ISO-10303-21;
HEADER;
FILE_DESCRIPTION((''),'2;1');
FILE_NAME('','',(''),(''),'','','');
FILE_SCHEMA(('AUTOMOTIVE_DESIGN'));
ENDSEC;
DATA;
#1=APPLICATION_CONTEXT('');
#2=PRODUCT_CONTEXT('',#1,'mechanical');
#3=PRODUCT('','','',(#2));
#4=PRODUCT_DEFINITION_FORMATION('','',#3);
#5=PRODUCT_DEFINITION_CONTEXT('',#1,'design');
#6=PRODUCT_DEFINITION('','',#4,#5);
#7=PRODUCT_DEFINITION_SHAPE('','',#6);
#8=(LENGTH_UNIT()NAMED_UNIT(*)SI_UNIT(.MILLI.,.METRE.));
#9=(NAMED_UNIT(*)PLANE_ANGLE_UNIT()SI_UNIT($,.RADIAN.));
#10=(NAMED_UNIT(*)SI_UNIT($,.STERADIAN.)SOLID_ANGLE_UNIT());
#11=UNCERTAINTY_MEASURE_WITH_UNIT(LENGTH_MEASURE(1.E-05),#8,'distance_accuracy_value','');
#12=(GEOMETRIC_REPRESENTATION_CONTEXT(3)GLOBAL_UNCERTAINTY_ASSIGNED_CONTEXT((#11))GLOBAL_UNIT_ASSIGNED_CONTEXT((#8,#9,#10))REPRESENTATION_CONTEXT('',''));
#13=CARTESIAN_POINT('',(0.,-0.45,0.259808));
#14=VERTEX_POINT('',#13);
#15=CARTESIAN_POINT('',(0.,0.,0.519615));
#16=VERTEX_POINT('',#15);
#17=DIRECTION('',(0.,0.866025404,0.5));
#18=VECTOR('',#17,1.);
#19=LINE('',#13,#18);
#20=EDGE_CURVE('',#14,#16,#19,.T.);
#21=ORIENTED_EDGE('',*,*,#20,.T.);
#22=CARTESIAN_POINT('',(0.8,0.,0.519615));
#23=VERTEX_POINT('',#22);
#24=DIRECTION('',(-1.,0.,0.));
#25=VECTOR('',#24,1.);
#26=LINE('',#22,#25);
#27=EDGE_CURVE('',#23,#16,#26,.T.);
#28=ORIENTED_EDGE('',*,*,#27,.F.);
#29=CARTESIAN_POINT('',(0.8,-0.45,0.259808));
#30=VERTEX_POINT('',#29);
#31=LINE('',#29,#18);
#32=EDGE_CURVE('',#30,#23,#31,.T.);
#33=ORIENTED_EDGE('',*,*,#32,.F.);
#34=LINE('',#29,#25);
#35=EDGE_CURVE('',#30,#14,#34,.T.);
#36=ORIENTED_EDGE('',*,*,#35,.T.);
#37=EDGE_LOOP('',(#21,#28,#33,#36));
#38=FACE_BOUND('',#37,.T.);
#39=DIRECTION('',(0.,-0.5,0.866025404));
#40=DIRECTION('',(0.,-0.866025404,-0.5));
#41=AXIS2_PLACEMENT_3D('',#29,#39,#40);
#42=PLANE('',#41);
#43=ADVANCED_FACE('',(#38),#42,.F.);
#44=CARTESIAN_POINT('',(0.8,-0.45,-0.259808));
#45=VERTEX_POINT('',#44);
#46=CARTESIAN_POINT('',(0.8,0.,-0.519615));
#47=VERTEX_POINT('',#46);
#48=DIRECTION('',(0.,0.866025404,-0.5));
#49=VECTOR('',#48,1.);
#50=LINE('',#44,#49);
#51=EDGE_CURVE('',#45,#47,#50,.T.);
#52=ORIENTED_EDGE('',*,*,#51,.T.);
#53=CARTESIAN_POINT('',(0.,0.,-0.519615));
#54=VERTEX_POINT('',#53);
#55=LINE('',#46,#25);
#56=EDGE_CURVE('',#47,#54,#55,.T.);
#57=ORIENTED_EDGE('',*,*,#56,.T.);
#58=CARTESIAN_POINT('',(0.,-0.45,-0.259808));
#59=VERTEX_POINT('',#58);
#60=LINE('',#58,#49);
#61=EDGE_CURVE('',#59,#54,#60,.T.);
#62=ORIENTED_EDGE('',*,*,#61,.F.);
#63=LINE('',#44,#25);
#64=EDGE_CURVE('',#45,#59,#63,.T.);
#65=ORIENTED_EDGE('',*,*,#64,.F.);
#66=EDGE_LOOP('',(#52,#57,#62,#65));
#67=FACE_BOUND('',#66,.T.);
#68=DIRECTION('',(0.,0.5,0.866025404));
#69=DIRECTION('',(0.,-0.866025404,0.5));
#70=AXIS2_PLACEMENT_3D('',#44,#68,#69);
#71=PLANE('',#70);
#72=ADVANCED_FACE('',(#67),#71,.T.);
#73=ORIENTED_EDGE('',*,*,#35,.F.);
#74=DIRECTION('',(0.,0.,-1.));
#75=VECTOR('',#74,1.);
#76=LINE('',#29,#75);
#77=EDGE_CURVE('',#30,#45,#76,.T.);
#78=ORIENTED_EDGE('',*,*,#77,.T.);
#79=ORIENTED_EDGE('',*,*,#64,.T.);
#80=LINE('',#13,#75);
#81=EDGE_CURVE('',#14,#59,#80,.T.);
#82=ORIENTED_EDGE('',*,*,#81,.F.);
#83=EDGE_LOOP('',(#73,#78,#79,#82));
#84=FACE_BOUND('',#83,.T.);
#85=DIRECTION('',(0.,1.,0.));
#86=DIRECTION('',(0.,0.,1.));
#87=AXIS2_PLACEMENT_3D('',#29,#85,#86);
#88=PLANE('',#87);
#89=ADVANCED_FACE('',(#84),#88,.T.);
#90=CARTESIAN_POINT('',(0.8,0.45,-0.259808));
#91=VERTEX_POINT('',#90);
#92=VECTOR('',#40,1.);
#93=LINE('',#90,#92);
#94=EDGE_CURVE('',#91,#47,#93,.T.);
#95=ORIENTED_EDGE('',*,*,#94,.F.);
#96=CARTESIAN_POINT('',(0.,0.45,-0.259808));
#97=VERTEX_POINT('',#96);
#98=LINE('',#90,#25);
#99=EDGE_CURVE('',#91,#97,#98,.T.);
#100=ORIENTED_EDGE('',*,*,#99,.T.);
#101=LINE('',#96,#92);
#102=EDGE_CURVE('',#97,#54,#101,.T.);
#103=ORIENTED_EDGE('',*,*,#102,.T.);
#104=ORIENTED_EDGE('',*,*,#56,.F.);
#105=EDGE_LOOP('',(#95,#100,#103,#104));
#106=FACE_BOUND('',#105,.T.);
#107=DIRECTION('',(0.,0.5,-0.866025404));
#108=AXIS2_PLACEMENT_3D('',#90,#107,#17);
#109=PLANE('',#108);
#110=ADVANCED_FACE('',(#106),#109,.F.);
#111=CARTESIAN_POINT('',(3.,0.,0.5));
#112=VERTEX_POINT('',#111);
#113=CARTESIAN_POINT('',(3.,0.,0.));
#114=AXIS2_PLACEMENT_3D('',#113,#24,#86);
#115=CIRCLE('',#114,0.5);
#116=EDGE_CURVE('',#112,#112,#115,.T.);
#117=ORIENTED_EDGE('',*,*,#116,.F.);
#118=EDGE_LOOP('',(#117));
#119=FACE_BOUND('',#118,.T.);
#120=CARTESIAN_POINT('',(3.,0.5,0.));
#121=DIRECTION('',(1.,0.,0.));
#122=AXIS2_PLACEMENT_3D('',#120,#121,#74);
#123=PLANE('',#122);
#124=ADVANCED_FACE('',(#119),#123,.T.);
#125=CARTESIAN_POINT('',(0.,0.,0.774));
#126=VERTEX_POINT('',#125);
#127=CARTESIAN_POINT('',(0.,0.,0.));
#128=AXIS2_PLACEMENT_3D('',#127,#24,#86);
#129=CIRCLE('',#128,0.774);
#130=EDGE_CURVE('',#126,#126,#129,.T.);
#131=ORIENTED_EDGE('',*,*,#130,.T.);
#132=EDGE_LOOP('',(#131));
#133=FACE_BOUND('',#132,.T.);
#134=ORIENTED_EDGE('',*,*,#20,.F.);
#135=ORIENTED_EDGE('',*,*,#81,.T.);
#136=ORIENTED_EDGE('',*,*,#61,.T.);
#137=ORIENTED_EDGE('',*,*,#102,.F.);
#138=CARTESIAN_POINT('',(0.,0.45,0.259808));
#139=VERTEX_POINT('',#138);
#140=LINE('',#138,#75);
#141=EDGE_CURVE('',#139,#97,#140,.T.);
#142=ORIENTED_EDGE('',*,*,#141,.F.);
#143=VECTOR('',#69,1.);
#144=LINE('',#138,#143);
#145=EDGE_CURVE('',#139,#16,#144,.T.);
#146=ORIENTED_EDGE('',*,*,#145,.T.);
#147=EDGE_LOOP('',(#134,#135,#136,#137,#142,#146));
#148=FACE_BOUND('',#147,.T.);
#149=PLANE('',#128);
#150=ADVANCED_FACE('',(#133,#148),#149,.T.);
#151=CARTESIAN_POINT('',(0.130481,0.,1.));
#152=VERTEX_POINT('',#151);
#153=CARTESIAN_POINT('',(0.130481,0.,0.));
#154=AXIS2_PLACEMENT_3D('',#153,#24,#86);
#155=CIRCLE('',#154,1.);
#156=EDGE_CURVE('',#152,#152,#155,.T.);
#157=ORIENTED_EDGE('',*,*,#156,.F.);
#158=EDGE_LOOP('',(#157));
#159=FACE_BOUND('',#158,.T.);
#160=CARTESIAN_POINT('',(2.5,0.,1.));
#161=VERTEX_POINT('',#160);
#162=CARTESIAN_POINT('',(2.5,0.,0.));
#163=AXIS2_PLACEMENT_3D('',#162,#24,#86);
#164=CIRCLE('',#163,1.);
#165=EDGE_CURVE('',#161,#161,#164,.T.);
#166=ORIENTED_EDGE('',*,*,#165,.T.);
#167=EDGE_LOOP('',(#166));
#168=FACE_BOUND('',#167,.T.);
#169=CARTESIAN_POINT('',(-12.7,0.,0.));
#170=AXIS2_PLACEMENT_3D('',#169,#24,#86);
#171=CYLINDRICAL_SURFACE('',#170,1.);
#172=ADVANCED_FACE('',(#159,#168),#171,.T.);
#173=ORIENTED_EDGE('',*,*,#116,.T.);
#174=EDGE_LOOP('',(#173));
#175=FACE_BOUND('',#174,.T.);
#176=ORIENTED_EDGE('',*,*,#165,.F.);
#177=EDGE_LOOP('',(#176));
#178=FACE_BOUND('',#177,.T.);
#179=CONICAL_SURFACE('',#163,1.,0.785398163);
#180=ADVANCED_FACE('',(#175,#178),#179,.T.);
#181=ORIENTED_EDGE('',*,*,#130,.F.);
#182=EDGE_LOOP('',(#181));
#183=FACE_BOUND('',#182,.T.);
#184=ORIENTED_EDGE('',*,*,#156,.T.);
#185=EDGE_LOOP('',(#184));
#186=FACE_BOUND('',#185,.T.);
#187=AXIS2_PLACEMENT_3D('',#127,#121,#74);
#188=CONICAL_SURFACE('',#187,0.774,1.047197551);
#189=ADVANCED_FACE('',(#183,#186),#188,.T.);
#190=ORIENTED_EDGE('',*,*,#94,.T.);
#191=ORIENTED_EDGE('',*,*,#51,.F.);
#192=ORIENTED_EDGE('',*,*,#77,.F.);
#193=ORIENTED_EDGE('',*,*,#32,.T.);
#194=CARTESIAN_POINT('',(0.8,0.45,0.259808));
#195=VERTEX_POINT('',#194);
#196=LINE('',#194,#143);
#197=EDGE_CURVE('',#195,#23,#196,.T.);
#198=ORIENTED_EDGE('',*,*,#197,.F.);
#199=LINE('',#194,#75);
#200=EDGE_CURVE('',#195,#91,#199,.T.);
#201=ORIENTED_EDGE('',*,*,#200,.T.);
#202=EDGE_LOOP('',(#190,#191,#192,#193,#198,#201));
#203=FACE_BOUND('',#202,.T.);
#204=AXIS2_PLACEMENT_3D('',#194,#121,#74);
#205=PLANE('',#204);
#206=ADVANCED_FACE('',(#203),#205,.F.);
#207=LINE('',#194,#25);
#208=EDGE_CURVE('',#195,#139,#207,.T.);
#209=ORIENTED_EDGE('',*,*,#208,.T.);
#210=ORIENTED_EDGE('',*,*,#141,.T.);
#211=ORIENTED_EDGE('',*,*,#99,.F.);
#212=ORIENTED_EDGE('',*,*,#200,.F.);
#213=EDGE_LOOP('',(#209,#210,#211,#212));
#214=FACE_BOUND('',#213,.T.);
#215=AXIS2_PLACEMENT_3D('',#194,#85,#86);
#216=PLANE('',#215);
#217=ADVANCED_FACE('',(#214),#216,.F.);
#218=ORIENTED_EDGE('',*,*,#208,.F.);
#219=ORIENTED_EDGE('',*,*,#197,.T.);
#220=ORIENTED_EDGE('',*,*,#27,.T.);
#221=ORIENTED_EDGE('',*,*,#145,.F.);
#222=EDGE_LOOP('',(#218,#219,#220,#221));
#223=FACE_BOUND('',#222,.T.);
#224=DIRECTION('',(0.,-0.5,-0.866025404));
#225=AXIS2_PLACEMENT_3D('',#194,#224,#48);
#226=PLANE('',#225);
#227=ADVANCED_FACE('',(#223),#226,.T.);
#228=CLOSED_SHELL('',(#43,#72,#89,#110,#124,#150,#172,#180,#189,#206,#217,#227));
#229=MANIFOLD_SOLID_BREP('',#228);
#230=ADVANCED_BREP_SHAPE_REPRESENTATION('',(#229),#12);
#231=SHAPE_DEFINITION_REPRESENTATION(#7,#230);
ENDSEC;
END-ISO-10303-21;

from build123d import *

# Parameters (mm, degrees)
HEX_2_DEPTH = 0.8


with BuildPart() as part:
    # BodySke → BaseBody (revolve)
    with BuildSketch(Plane.XY):
        Polygon((0, 0), (0, 0.774), (0.130481161, 1), (2.5, 1), (3, 0.5), (3, 0), align=None)
    revolve(axis=Axis((-12.7, 0, 0), (1, 0, 0)))

    # Sketch2 → Hex 2 (cut)
    with BuildSketch(Plane.ZY):
        Polygon((0.259807621, 0.45), (-0.259807621, 0.45), (-0.519615242, 0), (-0.259807621, -0.45), (0.259807621, -0.45), (0.519615242, 0), align=None)
    extrude(amount=-HEX_2_DEPTH, mode=Mode.SUBTRACT)


solid = part.part
